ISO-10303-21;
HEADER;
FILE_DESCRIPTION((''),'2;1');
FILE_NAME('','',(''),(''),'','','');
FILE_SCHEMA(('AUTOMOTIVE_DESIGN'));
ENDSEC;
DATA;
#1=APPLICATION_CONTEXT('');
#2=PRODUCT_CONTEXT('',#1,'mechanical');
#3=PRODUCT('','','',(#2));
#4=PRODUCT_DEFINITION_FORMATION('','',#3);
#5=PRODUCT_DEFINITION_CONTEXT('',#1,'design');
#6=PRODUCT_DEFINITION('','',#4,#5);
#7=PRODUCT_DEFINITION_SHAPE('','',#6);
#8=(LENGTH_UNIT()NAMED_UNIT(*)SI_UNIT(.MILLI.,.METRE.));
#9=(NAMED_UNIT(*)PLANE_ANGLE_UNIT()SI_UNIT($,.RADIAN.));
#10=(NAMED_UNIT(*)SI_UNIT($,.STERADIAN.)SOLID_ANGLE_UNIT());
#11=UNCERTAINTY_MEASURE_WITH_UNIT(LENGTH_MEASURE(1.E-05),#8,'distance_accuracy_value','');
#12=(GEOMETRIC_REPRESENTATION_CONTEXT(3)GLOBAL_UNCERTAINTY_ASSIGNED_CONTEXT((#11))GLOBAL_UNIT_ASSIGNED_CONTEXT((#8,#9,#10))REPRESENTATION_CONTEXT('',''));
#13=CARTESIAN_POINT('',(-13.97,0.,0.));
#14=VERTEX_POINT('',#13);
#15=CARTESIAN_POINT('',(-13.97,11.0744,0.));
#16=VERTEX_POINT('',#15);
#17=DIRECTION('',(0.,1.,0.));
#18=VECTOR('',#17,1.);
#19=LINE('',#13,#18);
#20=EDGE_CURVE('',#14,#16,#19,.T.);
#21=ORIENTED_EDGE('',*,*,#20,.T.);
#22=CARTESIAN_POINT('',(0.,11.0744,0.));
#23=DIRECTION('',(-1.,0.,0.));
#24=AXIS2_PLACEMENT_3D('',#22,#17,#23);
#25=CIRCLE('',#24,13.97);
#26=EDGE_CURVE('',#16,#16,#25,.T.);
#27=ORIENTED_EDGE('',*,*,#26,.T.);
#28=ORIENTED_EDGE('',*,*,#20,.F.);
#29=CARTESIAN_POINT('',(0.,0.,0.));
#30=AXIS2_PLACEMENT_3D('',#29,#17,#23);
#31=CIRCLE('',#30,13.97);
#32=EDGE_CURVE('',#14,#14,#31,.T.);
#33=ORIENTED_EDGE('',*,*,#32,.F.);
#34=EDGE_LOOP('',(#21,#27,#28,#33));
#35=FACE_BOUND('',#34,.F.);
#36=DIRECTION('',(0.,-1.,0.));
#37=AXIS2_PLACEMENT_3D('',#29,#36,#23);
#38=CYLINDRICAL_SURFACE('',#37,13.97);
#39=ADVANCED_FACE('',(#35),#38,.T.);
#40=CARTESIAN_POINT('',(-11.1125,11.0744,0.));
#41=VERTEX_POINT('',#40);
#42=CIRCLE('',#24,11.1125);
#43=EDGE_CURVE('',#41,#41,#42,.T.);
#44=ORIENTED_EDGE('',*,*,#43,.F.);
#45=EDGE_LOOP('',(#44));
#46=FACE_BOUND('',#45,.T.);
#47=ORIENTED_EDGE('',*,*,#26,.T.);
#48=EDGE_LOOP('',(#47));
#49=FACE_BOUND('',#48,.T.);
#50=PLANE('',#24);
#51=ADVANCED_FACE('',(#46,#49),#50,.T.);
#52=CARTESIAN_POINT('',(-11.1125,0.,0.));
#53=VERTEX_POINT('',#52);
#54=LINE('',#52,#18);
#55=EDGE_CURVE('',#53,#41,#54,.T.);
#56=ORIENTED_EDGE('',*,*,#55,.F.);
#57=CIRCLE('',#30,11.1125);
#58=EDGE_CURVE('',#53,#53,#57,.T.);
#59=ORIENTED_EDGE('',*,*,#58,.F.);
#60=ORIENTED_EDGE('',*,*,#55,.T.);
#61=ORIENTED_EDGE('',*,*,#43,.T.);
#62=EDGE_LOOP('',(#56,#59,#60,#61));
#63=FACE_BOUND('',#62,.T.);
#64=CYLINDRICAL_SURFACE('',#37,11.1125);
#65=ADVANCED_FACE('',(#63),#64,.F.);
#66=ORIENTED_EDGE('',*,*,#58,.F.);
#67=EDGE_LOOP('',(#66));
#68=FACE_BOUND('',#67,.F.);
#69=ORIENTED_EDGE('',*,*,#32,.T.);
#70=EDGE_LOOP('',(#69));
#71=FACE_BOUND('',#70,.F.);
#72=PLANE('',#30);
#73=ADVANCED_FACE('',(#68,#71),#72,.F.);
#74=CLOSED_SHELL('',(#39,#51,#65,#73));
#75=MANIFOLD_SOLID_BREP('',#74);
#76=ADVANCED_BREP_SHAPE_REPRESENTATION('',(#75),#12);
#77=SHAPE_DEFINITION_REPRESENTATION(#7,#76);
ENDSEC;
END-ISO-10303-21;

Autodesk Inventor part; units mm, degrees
ref_plane "YZ Plane" through (0, 0, 0) normal (1, 0, 0) x (0, 1, 0)
ref_plane "XZ Plane" through (0, 0, 0) normal (0, 1, 0) x (-1, 0, 0)
ref_plane "XY Plane" through (0, 0, 0) normal (0, 0, 1) x (1, 0, 0)
sketch "Sketch1" plane through (0, 0, 0) normal (0, 1, 0) x (-1, 0, 0)
  circle A0 centre (0, 0) radius 11.1125
  circle A1 centre (0, 0) radius 13.97
  dimension "d0" = 22.225
  dimension "d1" = 27.94
extrude "Extrusion1" add sketch "Sketch1" along normal blind 11.0744
properties part number "Motor Belt Tensioner Outside"
